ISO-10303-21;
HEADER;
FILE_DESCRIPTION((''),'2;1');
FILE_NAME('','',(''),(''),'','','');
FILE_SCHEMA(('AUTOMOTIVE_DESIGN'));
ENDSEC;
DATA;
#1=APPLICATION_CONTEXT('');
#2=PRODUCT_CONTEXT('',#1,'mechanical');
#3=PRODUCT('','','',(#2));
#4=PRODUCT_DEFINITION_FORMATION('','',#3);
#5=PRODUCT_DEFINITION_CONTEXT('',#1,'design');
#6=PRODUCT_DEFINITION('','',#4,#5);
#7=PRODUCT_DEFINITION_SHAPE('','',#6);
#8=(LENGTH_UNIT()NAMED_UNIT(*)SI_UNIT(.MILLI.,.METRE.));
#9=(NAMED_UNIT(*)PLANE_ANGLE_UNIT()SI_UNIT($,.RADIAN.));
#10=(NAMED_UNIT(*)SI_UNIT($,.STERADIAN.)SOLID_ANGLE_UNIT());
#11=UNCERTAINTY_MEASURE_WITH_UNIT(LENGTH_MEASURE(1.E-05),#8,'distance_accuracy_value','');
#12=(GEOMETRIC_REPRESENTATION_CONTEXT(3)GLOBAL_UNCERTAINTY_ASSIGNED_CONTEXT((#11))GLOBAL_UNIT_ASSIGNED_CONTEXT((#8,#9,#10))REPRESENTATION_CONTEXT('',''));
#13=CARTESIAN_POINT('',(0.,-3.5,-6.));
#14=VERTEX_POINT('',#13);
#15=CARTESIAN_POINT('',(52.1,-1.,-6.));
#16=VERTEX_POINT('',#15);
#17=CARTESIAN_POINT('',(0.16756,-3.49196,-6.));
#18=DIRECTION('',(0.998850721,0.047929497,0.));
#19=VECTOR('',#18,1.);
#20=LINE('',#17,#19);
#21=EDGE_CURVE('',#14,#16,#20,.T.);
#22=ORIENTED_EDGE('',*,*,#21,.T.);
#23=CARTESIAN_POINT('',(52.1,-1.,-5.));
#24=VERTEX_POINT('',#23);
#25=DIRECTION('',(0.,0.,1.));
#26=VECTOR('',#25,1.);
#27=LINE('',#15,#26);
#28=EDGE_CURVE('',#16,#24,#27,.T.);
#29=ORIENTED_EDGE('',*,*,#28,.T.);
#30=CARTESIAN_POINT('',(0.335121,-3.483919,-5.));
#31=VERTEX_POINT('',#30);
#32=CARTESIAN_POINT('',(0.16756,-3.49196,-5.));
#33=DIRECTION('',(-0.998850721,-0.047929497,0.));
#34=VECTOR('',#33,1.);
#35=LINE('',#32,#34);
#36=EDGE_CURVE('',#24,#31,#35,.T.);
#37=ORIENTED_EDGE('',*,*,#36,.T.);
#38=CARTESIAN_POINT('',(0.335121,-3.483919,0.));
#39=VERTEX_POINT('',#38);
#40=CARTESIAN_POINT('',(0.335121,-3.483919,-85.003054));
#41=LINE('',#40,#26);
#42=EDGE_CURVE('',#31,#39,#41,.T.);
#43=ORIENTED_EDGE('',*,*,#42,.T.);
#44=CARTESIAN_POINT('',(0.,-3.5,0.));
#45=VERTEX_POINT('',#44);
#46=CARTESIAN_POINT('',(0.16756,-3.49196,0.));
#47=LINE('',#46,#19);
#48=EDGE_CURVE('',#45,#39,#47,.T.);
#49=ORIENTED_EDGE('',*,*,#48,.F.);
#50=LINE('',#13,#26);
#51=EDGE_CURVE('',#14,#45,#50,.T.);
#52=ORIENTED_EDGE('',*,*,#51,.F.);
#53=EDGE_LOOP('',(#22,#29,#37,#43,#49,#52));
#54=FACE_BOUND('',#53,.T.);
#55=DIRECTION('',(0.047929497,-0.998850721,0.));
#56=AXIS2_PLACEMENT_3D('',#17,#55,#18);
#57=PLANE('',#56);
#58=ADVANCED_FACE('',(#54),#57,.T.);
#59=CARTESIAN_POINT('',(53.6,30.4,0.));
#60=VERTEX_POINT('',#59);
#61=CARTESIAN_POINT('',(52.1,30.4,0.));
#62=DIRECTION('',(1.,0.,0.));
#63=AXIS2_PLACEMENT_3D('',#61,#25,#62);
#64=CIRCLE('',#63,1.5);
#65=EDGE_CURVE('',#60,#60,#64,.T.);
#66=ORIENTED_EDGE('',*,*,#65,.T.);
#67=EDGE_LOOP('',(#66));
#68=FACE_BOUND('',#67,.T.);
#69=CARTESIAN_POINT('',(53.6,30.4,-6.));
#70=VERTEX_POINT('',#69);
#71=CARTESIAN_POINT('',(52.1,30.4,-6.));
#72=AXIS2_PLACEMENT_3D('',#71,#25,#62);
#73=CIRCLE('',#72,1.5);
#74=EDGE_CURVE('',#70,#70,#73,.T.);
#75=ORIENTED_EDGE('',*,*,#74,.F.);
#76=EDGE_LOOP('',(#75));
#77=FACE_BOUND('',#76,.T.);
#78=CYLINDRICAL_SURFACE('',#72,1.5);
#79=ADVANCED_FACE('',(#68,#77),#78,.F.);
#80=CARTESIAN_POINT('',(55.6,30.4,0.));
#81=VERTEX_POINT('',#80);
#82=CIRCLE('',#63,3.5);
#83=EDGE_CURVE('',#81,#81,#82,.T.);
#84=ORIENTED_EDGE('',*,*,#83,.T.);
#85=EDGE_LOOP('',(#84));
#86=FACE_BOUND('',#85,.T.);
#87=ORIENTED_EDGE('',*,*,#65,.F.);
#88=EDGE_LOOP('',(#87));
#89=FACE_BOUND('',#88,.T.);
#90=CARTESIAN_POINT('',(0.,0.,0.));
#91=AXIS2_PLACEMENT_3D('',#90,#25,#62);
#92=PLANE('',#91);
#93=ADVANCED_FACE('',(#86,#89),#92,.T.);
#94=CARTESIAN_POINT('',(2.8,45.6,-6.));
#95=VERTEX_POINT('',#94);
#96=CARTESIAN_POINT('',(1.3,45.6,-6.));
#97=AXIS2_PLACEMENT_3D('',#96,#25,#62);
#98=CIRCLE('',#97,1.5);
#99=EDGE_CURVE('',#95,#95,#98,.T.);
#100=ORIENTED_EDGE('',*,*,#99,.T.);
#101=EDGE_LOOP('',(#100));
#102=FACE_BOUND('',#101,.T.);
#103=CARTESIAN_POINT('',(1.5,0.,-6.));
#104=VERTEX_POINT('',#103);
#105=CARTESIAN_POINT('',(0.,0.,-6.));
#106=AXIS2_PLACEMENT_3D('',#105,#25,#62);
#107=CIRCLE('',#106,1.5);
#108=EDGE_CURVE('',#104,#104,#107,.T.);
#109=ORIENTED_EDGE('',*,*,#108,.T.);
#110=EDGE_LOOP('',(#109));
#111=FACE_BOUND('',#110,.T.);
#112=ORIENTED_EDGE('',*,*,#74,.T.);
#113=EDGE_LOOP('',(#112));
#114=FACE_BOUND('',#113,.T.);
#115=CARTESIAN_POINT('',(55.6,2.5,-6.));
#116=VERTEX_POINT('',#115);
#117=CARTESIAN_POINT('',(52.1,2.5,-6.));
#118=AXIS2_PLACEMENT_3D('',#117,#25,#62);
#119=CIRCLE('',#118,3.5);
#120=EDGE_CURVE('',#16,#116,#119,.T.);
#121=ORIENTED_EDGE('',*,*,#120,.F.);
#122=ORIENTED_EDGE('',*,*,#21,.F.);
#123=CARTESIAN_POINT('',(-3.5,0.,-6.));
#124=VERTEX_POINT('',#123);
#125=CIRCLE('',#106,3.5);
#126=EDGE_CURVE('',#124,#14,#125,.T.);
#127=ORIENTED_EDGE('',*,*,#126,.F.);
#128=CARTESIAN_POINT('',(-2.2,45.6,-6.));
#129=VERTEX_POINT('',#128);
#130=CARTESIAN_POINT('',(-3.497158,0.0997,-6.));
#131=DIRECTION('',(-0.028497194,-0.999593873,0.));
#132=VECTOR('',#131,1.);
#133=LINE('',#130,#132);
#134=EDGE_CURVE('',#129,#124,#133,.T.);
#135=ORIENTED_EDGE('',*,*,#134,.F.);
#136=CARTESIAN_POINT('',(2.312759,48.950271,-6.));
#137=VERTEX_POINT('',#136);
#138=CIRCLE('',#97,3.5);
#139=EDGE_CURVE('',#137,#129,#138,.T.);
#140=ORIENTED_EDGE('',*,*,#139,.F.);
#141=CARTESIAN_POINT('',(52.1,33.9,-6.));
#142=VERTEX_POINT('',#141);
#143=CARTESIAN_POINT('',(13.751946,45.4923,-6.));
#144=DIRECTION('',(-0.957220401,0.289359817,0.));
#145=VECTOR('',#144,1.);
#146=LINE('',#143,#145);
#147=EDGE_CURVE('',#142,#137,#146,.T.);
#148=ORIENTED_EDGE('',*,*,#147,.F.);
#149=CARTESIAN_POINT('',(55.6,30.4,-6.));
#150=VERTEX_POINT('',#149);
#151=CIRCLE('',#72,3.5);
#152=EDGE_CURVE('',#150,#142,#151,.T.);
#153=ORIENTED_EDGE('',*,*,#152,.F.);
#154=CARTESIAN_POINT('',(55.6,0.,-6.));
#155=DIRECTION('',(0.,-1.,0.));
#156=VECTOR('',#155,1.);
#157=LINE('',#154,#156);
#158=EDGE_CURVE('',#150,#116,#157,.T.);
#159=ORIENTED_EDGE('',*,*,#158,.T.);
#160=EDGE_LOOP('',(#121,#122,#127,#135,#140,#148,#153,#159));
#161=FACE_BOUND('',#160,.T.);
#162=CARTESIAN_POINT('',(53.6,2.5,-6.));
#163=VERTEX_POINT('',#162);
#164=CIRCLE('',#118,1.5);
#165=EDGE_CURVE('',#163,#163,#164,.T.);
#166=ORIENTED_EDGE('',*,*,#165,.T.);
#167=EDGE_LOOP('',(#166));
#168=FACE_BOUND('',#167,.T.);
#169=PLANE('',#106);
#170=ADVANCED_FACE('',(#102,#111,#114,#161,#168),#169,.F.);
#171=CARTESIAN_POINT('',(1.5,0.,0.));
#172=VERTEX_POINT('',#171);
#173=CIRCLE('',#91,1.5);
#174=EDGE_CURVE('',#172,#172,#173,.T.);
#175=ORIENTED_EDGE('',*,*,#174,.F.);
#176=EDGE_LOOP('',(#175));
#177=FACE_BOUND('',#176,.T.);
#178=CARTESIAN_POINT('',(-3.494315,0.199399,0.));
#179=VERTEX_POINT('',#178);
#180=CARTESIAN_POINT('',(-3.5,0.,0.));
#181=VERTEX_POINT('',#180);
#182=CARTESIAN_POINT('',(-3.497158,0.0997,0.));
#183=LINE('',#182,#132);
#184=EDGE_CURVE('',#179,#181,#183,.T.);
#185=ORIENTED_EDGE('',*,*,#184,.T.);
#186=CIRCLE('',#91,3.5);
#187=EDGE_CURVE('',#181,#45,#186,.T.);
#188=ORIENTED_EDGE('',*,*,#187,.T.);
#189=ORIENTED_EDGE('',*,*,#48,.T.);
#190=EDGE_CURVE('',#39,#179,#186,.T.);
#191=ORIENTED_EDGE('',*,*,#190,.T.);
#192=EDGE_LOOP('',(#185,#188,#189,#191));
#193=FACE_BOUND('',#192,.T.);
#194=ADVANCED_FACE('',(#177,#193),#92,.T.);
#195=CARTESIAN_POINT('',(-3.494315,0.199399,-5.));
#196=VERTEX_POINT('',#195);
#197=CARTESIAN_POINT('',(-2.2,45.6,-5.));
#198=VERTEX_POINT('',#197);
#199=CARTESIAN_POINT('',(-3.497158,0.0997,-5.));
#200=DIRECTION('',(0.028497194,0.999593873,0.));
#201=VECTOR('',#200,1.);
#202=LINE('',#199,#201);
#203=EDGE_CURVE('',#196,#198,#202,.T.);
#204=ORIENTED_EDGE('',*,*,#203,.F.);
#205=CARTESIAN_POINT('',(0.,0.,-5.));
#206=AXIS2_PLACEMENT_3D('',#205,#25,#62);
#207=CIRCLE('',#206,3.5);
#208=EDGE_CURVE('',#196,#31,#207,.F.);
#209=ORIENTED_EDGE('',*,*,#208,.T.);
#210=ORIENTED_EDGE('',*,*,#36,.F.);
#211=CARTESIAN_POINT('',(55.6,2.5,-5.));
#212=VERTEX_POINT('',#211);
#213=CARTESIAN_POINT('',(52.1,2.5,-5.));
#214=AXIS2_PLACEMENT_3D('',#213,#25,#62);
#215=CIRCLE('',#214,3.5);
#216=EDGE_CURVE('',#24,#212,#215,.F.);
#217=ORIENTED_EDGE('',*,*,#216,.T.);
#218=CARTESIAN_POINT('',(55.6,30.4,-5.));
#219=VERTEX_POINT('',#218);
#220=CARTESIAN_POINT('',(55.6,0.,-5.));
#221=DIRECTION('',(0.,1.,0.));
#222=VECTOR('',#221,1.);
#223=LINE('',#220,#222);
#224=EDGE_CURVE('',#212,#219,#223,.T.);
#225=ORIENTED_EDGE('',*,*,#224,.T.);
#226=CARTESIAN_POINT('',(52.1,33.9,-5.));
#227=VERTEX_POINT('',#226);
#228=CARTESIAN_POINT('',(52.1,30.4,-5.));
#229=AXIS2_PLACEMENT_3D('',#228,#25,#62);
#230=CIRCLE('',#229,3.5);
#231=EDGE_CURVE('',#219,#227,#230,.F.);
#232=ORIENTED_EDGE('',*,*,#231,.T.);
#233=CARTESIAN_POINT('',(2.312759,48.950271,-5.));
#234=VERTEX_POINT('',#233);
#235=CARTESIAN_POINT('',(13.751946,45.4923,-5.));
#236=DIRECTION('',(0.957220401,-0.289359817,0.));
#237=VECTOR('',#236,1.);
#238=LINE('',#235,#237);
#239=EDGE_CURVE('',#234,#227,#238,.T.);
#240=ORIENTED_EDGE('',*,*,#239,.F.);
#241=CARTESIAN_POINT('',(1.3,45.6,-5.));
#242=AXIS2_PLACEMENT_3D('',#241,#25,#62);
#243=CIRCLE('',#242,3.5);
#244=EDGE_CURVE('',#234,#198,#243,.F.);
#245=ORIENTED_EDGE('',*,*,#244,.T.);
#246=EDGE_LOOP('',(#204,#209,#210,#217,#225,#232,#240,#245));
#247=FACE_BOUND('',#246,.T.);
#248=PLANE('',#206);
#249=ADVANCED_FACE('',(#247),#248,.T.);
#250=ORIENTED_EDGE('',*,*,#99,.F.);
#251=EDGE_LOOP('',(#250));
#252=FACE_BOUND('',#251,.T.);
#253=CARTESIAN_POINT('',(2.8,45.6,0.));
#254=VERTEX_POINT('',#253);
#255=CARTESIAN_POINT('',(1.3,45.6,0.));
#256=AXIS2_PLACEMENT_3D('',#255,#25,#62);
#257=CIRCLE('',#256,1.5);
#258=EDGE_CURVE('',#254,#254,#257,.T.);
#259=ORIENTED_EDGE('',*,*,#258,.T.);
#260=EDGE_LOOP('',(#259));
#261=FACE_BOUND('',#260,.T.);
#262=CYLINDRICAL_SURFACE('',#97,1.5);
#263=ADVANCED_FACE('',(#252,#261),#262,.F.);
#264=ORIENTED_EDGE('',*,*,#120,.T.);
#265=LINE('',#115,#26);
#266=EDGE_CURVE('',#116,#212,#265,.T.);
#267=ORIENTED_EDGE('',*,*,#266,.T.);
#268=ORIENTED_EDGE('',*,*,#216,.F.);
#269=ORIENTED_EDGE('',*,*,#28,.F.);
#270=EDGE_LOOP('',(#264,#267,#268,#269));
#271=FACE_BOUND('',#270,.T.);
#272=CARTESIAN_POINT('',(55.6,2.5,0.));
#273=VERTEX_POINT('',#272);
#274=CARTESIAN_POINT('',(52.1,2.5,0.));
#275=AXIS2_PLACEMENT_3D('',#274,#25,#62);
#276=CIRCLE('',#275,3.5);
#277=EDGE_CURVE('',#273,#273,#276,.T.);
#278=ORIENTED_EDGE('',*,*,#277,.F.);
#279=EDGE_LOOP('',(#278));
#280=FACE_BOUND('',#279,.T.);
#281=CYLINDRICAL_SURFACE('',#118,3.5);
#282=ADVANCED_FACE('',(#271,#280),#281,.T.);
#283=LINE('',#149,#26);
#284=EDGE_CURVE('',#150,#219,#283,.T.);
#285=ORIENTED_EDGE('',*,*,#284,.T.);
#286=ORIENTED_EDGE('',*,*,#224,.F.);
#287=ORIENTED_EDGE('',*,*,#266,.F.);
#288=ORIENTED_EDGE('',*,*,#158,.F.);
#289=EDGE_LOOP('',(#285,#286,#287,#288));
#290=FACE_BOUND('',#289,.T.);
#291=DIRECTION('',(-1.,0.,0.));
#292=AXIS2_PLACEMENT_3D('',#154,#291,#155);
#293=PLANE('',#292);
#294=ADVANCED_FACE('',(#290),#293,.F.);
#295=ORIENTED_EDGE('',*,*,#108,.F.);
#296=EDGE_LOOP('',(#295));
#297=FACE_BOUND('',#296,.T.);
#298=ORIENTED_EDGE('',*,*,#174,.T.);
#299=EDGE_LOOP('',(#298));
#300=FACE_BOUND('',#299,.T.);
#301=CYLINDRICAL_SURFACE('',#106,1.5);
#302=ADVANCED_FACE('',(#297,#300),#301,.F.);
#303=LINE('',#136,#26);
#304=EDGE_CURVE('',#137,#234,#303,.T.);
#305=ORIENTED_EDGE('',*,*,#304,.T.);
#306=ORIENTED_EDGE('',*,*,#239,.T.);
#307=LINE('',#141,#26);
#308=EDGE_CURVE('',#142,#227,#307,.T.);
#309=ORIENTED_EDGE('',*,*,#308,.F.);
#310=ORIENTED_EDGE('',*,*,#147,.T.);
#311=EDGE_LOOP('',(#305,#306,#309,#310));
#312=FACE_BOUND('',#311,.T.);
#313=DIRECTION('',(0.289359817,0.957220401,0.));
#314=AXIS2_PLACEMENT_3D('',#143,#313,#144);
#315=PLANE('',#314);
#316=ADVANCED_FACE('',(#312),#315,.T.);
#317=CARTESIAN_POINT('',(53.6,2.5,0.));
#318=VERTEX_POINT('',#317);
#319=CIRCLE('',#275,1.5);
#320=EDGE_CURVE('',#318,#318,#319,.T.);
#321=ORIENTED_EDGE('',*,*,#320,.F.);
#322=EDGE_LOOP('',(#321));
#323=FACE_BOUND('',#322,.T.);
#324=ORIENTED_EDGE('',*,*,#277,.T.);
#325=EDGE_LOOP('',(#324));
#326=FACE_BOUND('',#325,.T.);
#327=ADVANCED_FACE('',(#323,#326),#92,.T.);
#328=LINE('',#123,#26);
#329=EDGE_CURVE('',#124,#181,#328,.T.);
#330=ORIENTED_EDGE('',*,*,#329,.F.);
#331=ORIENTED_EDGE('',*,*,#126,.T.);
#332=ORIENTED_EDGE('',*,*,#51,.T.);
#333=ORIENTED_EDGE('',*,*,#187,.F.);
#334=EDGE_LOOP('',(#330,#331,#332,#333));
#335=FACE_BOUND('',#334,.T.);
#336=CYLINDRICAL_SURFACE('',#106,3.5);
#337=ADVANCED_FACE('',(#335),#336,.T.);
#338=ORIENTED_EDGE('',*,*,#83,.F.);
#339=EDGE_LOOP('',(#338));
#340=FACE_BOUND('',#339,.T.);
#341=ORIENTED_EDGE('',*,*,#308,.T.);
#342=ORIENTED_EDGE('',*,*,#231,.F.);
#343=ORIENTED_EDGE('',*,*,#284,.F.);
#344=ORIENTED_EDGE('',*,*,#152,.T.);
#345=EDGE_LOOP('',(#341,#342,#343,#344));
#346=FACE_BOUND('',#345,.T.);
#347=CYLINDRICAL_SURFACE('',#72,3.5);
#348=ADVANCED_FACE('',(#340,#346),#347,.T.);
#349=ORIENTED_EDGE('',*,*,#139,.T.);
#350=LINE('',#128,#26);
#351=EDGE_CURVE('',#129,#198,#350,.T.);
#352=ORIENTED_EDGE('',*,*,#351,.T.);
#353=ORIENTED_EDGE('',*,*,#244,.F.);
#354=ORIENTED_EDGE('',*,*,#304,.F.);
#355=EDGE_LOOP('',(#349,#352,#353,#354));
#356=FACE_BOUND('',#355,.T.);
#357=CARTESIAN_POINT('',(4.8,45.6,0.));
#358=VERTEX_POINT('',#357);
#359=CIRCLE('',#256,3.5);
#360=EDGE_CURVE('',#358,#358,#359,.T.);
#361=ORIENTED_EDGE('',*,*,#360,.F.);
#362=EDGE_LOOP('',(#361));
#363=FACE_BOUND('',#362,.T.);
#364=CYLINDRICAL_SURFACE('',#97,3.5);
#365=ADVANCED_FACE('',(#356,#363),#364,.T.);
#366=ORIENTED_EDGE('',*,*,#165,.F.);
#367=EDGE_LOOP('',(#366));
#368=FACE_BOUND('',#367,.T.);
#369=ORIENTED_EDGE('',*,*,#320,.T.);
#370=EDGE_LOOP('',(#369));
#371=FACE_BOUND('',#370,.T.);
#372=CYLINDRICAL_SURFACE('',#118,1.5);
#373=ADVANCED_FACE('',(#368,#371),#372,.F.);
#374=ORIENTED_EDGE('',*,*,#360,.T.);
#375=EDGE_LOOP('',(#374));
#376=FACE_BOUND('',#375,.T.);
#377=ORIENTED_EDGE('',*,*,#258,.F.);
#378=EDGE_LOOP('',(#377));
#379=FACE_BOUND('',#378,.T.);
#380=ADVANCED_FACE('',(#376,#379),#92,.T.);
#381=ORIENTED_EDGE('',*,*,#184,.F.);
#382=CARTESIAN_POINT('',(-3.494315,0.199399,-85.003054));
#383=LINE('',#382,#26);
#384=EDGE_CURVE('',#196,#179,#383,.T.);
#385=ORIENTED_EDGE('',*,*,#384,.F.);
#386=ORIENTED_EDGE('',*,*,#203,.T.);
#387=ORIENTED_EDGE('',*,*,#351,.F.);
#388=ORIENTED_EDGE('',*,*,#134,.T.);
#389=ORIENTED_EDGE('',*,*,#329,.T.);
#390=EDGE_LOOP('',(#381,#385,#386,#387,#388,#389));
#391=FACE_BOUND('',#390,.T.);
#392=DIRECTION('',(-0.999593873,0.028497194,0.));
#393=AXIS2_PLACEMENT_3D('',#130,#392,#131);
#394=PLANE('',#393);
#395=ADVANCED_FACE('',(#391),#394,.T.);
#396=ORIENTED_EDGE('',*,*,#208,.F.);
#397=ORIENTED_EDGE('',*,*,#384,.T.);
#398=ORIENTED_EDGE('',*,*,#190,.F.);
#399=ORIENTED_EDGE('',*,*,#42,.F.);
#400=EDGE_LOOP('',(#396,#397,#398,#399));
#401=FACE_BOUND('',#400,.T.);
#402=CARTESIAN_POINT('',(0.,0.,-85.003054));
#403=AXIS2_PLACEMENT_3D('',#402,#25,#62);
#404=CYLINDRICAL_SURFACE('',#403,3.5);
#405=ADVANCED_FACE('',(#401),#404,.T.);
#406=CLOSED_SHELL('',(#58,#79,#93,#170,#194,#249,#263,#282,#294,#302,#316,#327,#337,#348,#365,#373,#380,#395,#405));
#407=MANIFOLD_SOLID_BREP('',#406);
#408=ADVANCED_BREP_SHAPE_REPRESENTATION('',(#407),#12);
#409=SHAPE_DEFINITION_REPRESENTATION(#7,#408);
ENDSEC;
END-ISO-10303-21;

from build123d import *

# Parameters (mm, degrees)
SKETCH1_R           = 3.5
SKETCH1_R_2         = 1.5
BOSS_EXTRUDE2_DEPTH = 6
CUT_EXTRUDE2_DEPTH  = 5


with BuildPart() as part:
    # Sketch1 → Boss-Extrude2 (new body)
    # profile 1 of 5: a face of its own
    with BuildSketch(Plane.XY):
        with BuildLine():
            ThreePointArc((4.8, 45.6), (1.3, 42.1), (-2.2, 45.6))
            Line((-2.2, 45.6), (-3.49431537, 0.199399342))
            ThreePointArc((-3.49431537, 0.199399342), (0.099740178, 3.498578554), (3.5, 0))
            ThreePointArc((3.5, 0), (2.590648868, -2.353409961), (0.33512089, -3.483919343))
            Line((0.33512089, -3.483919343), (52.1, -1))
            ThreePointArc((52.1, -1), (49.625126266, 4.974873734), (55.6, 2.5))
            Line((55.6, 2.5), (55.6, 30.4))
            ThreePointArc((55.6, 30.4), (49.625126266, 27.925126266), (52.1, 33.9))
            Line((52.1, 33.9), (2.312759359, 48.950271404))
            ThreePointArc((2.312759359, 48.950271404), (4.110218653, 47.686305616), (4.8, 45.6))
        make_face()
    # profile 2 of 5: a face of its own
    with BuildSketch(Plane.XY):
        with Locations((1.3, 45.6)):
            Circle(SKETCH1_R)
        with Locations((1.3, 45.6)):
            Circle(SKETCH1_R_2, mode=Mode.SUBTRACT)
    # profile 3 of 5: a face of its own
    with BuildSketch(Plane.XY):
        with Locations((52.1, 30.4)):
            Circle(SKETCH1_R)
        with Locations((52.1, 30.4)):
            Circle(SKETCH1_R_2, mode=Mode.SUBTRACT)
    # profile 4 of 5: a face of its own
    with BuildSketch(Plane.XY):
        with Locations((52.1, 2.5)):
            Circle(SKETCH1_R)
        with Locations((52.1, 2.5)):
            Circle(SKETCH1_R_2, mode=Mode.SUBTRACT)
    # profile 5 of 5: a face of its own
    with BuildSketch(Plane.XY):
        with BuildLine():
            ThreePointArc((3.5, 0), (0.099740178, 3.498578554), (-3.49431537, 0.199399342))
            Line((-3.49431537, 0.199399342), (-3.5, 0))
            ThreePointArc((-3.5, 0), (-2.474873734, -2.474873734), (0, -3.5))
            Line((0, -3.5), (0.33512089, -3.483919343))
            ThreePointArc((0.33512089, -3.483919343), (2.590648868, -2.353409961), (3.5, 0))
        make_face()
        Circle(SKETCH1_R_2, mode=Mode.SUBTRACT)
    extrude(amount=-BOSS_EXTRUDE2_DEPTH)

    # Sketch1<3> → Cut-Extrude2 (cut)
    with BuildSketch(Plane.XY):
        with BuildLine():
            ThreePointArc((4.8, 45.6), (1.3, 42.1), (-2.2, 45.6))
            Line((-2.2, 45.6), (-3.49431537, 0.199399342))
            ThreePointArc((-3.49431537, 0.199399342), (0.099740178, 3.498578554), (3.5, 0))
            ThreePointArc((3.5, 0), (2.590648868, -2.353409961), (0.33512089, -3.483919343))
            Line((0.33512089, -3.483919343), (52.1, -1))
            ThreePointArc((52.1, -1), (49.625126266, 4.974873734), (55.6, 2.5))
            Line((55.6, 2.5), (55.6, 30.4))
            ThreePointArc((55.6, 30.4), (49.625126266, 27.925126266), (52.1, 33.9))
            Line((52.1, 33.9), (2.312759359, 48.950271404))
            ThreePointArc((2.312759359, 48.950271404), (4.110218653, 47.686305616), (4.8, 45.6))
        make_face()
    extrude(amount=-CUT_EXTRUDE2_DEPTH, mode=Mode.SUBTRACT)


solid = part.part
